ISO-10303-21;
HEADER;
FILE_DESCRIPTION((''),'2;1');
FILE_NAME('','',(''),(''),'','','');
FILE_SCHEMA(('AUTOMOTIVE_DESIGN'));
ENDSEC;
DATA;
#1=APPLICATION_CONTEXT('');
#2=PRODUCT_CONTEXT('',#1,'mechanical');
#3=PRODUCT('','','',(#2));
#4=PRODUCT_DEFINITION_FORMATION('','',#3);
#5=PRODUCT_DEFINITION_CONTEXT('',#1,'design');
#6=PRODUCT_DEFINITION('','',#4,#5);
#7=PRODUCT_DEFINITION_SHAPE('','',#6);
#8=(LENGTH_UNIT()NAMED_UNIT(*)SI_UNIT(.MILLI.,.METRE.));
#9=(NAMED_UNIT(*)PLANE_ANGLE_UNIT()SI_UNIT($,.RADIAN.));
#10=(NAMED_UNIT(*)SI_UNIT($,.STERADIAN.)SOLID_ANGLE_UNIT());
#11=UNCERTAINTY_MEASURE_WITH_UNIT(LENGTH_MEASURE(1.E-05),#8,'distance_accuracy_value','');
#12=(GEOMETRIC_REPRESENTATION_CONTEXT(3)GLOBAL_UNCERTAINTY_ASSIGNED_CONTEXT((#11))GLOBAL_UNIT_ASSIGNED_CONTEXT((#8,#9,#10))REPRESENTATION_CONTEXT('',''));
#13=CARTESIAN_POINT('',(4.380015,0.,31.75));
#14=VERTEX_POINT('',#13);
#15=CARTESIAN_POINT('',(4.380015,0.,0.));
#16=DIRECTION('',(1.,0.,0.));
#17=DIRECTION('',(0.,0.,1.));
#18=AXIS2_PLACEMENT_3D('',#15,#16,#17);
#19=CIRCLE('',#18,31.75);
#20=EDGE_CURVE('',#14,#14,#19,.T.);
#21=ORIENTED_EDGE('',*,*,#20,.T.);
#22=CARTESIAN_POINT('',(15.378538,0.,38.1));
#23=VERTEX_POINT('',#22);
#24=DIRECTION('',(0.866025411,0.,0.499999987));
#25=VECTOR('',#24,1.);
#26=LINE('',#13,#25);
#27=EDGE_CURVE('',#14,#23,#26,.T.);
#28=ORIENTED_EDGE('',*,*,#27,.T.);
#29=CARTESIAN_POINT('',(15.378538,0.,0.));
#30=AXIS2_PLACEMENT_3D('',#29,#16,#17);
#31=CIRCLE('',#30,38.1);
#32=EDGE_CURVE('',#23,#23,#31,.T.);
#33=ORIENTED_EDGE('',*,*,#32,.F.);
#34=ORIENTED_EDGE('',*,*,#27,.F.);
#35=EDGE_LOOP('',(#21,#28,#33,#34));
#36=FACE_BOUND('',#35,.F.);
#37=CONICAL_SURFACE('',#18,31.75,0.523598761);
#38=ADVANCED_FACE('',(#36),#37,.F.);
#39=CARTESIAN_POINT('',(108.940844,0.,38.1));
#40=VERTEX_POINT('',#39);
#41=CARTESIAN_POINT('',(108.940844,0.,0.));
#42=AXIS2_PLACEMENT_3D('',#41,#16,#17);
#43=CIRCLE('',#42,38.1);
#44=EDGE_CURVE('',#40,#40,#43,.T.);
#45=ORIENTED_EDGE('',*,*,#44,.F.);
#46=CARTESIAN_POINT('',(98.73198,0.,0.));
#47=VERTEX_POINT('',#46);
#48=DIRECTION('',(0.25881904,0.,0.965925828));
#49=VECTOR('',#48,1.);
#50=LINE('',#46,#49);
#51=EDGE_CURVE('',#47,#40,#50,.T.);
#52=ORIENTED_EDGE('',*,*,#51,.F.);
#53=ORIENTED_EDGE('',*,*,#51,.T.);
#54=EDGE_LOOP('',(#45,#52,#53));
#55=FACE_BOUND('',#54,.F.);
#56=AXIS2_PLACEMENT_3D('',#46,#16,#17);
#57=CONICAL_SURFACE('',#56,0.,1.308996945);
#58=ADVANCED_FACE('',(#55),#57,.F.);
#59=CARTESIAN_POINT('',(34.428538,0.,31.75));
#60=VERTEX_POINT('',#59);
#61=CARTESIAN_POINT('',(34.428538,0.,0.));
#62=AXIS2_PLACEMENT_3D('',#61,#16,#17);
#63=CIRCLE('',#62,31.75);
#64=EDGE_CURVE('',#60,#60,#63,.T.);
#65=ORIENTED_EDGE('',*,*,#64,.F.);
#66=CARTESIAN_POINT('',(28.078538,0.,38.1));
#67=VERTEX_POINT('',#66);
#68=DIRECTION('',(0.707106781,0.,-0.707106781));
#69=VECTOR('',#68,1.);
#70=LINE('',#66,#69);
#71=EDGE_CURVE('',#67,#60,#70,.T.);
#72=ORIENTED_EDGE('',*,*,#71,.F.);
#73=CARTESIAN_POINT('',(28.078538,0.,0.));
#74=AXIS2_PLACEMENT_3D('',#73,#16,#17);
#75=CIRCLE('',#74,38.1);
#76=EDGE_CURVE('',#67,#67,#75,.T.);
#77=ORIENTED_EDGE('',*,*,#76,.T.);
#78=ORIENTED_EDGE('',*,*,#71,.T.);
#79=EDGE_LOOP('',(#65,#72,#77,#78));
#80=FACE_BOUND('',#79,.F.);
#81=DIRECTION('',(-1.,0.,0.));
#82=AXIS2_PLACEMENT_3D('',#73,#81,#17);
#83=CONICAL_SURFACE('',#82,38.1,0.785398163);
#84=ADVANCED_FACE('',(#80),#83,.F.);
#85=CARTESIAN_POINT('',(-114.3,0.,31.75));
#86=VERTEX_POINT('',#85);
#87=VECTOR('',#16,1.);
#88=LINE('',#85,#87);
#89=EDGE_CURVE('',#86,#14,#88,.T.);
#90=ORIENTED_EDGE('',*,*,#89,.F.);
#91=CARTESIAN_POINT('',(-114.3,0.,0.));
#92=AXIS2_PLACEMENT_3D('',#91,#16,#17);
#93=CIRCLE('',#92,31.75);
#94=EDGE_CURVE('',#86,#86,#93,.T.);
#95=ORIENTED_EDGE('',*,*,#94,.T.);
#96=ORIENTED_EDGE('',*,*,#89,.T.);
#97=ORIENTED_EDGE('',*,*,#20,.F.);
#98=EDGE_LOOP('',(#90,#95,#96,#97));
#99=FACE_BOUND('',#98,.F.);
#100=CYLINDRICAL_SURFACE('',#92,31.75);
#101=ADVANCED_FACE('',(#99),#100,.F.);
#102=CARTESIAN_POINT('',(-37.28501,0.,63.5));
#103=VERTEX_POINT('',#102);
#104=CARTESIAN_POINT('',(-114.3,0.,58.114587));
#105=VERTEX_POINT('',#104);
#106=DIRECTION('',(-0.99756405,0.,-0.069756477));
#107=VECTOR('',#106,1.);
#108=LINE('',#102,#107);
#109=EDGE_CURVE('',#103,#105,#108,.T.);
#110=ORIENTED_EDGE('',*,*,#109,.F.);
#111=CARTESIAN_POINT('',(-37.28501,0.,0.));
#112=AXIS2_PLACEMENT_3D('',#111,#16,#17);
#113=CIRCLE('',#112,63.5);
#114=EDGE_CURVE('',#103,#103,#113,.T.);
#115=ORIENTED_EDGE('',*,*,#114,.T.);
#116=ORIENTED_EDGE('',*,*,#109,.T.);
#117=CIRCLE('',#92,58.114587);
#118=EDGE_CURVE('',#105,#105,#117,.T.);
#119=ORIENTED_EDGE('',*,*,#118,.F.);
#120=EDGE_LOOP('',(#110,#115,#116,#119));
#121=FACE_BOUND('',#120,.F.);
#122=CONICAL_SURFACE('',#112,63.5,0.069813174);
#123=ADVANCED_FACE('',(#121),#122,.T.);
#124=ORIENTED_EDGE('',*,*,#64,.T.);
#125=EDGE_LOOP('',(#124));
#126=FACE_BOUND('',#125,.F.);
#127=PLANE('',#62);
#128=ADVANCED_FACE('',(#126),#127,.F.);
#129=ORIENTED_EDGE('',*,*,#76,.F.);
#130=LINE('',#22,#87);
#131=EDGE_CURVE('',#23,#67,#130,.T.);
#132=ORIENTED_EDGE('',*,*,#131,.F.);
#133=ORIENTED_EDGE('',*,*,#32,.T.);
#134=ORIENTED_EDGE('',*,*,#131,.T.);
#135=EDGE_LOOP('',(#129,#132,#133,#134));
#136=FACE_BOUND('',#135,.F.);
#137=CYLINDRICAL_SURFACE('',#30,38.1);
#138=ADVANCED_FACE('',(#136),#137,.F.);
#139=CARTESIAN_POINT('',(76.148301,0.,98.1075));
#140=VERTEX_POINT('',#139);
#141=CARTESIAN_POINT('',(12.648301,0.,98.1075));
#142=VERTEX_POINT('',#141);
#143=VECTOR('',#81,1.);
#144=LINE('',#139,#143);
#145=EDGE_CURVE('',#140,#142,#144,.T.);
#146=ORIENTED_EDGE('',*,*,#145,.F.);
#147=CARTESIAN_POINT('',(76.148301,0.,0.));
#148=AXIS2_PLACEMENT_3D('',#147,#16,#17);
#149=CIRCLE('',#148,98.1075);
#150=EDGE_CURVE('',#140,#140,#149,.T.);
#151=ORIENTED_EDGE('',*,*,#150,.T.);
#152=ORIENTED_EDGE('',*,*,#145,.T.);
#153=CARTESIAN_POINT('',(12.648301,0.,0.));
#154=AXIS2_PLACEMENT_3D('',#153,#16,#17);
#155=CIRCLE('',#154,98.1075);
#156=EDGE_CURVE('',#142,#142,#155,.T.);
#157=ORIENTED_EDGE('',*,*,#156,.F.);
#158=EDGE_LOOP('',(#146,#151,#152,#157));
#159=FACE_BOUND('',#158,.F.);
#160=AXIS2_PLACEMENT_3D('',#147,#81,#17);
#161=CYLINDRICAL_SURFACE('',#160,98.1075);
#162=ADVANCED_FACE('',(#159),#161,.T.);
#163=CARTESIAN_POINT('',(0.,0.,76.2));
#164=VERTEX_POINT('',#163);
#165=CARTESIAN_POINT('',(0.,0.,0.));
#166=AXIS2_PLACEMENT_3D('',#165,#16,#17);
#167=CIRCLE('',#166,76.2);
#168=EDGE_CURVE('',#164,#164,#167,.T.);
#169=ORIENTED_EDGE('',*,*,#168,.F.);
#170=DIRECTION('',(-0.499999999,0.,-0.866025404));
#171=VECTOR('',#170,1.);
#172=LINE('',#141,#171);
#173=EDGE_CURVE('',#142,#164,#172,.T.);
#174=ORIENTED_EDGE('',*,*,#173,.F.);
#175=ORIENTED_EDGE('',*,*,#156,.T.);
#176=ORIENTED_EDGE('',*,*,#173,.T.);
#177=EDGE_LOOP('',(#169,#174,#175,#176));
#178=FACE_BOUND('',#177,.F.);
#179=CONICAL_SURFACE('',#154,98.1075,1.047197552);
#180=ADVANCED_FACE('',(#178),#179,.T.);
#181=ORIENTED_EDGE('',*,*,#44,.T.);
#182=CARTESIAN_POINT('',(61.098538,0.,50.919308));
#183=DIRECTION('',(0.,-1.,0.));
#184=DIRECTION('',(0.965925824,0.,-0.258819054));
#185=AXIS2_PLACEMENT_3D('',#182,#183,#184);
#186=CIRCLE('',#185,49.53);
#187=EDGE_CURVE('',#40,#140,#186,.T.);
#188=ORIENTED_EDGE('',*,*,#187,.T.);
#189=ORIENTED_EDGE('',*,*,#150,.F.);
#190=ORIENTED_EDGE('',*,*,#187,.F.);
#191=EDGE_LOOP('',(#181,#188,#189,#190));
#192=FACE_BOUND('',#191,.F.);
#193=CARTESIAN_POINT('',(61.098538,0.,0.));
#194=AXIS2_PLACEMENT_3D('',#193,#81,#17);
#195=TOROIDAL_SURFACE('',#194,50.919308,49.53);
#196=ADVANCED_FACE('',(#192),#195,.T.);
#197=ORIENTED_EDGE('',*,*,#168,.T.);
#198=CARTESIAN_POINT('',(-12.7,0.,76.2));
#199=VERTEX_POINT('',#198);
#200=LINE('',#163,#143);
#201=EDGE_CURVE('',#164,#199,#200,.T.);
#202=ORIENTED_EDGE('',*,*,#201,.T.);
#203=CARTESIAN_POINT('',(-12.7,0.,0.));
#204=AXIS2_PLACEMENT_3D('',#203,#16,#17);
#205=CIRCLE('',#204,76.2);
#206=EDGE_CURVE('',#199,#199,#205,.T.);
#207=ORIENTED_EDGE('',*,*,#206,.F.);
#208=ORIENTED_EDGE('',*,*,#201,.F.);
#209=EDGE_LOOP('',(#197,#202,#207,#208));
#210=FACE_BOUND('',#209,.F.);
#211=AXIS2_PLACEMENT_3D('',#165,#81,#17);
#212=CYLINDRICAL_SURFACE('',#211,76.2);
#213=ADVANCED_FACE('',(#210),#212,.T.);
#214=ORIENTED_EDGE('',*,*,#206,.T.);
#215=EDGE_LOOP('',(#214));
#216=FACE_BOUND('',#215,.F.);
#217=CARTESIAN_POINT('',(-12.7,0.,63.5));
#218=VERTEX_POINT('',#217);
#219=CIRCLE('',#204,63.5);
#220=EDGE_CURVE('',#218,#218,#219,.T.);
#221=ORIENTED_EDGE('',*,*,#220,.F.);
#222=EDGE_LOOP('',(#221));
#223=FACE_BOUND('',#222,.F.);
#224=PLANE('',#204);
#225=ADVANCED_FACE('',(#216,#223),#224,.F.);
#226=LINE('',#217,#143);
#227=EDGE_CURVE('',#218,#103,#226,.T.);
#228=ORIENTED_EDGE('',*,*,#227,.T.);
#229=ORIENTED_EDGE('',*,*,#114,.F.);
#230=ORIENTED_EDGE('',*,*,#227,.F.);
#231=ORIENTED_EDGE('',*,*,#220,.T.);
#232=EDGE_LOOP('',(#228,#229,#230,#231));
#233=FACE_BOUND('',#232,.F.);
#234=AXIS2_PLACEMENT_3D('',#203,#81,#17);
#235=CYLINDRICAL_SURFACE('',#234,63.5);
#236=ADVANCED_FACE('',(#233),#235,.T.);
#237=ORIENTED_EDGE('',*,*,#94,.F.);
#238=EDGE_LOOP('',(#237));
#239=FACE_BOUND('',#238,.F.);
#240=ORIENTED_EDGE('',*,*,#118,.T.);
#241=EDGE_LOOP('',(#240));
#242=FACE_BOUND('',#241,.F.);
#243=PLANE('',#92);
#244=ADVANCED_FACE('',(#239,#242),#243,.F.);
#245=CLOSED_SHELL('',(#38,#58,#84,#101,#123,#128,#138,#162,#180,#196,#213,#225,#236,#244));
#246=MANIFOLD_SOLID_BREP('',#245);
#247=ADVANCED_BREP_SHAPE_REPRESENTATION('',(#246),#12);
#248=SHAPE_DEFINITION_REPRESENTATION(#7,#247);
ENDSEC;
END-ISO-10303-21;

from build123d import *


with BuildPart() as f1:
    # F0 (on Front) → F1 (revolve)
    with BuildSketch(Plane.XZ):
        with BuildLine():
            Line((-114.3, 58.114587), (-114.3, 31.75))
            Line((-114.3, 31.75), (4.380015, 31.75))
            Line((4.380015, 31.75), (15.378538, 38.1))
            Line((15.378538, 38.1), (28.078538, 38.1))
            Line((28.078538, 38.1), (34.428538, 31.75))
            Line((34.428538, 31.75), (34.428538, 0))
            Line((34.428538, 0), (98.73198, 0))
            Line((98.73198, 0), (108.940844, 38.1))
            ThreePointArc((108.940844, 38.1), (104.562064, 74.670998), (76.148301, 98.1075))
            Line((76.148301, 98.1075), (12.648301, 98.1075))
            Line((12.648301, 98.1075), (0, 76.2))
            Line((0, 76.2), (-12.7, 76.2))
            Line((-12.7, 76.2), (-12.7, 63.5))
            Line((-12.7, 63.5), (-37.28501, 63.5))
            Line((-37.28501, 63.5), (-114.3, 58.114587))
        make_face()
    revolve(axis=Axis((50.931664, 0, 0), (1, 0, 0)))


solid = f1.part
